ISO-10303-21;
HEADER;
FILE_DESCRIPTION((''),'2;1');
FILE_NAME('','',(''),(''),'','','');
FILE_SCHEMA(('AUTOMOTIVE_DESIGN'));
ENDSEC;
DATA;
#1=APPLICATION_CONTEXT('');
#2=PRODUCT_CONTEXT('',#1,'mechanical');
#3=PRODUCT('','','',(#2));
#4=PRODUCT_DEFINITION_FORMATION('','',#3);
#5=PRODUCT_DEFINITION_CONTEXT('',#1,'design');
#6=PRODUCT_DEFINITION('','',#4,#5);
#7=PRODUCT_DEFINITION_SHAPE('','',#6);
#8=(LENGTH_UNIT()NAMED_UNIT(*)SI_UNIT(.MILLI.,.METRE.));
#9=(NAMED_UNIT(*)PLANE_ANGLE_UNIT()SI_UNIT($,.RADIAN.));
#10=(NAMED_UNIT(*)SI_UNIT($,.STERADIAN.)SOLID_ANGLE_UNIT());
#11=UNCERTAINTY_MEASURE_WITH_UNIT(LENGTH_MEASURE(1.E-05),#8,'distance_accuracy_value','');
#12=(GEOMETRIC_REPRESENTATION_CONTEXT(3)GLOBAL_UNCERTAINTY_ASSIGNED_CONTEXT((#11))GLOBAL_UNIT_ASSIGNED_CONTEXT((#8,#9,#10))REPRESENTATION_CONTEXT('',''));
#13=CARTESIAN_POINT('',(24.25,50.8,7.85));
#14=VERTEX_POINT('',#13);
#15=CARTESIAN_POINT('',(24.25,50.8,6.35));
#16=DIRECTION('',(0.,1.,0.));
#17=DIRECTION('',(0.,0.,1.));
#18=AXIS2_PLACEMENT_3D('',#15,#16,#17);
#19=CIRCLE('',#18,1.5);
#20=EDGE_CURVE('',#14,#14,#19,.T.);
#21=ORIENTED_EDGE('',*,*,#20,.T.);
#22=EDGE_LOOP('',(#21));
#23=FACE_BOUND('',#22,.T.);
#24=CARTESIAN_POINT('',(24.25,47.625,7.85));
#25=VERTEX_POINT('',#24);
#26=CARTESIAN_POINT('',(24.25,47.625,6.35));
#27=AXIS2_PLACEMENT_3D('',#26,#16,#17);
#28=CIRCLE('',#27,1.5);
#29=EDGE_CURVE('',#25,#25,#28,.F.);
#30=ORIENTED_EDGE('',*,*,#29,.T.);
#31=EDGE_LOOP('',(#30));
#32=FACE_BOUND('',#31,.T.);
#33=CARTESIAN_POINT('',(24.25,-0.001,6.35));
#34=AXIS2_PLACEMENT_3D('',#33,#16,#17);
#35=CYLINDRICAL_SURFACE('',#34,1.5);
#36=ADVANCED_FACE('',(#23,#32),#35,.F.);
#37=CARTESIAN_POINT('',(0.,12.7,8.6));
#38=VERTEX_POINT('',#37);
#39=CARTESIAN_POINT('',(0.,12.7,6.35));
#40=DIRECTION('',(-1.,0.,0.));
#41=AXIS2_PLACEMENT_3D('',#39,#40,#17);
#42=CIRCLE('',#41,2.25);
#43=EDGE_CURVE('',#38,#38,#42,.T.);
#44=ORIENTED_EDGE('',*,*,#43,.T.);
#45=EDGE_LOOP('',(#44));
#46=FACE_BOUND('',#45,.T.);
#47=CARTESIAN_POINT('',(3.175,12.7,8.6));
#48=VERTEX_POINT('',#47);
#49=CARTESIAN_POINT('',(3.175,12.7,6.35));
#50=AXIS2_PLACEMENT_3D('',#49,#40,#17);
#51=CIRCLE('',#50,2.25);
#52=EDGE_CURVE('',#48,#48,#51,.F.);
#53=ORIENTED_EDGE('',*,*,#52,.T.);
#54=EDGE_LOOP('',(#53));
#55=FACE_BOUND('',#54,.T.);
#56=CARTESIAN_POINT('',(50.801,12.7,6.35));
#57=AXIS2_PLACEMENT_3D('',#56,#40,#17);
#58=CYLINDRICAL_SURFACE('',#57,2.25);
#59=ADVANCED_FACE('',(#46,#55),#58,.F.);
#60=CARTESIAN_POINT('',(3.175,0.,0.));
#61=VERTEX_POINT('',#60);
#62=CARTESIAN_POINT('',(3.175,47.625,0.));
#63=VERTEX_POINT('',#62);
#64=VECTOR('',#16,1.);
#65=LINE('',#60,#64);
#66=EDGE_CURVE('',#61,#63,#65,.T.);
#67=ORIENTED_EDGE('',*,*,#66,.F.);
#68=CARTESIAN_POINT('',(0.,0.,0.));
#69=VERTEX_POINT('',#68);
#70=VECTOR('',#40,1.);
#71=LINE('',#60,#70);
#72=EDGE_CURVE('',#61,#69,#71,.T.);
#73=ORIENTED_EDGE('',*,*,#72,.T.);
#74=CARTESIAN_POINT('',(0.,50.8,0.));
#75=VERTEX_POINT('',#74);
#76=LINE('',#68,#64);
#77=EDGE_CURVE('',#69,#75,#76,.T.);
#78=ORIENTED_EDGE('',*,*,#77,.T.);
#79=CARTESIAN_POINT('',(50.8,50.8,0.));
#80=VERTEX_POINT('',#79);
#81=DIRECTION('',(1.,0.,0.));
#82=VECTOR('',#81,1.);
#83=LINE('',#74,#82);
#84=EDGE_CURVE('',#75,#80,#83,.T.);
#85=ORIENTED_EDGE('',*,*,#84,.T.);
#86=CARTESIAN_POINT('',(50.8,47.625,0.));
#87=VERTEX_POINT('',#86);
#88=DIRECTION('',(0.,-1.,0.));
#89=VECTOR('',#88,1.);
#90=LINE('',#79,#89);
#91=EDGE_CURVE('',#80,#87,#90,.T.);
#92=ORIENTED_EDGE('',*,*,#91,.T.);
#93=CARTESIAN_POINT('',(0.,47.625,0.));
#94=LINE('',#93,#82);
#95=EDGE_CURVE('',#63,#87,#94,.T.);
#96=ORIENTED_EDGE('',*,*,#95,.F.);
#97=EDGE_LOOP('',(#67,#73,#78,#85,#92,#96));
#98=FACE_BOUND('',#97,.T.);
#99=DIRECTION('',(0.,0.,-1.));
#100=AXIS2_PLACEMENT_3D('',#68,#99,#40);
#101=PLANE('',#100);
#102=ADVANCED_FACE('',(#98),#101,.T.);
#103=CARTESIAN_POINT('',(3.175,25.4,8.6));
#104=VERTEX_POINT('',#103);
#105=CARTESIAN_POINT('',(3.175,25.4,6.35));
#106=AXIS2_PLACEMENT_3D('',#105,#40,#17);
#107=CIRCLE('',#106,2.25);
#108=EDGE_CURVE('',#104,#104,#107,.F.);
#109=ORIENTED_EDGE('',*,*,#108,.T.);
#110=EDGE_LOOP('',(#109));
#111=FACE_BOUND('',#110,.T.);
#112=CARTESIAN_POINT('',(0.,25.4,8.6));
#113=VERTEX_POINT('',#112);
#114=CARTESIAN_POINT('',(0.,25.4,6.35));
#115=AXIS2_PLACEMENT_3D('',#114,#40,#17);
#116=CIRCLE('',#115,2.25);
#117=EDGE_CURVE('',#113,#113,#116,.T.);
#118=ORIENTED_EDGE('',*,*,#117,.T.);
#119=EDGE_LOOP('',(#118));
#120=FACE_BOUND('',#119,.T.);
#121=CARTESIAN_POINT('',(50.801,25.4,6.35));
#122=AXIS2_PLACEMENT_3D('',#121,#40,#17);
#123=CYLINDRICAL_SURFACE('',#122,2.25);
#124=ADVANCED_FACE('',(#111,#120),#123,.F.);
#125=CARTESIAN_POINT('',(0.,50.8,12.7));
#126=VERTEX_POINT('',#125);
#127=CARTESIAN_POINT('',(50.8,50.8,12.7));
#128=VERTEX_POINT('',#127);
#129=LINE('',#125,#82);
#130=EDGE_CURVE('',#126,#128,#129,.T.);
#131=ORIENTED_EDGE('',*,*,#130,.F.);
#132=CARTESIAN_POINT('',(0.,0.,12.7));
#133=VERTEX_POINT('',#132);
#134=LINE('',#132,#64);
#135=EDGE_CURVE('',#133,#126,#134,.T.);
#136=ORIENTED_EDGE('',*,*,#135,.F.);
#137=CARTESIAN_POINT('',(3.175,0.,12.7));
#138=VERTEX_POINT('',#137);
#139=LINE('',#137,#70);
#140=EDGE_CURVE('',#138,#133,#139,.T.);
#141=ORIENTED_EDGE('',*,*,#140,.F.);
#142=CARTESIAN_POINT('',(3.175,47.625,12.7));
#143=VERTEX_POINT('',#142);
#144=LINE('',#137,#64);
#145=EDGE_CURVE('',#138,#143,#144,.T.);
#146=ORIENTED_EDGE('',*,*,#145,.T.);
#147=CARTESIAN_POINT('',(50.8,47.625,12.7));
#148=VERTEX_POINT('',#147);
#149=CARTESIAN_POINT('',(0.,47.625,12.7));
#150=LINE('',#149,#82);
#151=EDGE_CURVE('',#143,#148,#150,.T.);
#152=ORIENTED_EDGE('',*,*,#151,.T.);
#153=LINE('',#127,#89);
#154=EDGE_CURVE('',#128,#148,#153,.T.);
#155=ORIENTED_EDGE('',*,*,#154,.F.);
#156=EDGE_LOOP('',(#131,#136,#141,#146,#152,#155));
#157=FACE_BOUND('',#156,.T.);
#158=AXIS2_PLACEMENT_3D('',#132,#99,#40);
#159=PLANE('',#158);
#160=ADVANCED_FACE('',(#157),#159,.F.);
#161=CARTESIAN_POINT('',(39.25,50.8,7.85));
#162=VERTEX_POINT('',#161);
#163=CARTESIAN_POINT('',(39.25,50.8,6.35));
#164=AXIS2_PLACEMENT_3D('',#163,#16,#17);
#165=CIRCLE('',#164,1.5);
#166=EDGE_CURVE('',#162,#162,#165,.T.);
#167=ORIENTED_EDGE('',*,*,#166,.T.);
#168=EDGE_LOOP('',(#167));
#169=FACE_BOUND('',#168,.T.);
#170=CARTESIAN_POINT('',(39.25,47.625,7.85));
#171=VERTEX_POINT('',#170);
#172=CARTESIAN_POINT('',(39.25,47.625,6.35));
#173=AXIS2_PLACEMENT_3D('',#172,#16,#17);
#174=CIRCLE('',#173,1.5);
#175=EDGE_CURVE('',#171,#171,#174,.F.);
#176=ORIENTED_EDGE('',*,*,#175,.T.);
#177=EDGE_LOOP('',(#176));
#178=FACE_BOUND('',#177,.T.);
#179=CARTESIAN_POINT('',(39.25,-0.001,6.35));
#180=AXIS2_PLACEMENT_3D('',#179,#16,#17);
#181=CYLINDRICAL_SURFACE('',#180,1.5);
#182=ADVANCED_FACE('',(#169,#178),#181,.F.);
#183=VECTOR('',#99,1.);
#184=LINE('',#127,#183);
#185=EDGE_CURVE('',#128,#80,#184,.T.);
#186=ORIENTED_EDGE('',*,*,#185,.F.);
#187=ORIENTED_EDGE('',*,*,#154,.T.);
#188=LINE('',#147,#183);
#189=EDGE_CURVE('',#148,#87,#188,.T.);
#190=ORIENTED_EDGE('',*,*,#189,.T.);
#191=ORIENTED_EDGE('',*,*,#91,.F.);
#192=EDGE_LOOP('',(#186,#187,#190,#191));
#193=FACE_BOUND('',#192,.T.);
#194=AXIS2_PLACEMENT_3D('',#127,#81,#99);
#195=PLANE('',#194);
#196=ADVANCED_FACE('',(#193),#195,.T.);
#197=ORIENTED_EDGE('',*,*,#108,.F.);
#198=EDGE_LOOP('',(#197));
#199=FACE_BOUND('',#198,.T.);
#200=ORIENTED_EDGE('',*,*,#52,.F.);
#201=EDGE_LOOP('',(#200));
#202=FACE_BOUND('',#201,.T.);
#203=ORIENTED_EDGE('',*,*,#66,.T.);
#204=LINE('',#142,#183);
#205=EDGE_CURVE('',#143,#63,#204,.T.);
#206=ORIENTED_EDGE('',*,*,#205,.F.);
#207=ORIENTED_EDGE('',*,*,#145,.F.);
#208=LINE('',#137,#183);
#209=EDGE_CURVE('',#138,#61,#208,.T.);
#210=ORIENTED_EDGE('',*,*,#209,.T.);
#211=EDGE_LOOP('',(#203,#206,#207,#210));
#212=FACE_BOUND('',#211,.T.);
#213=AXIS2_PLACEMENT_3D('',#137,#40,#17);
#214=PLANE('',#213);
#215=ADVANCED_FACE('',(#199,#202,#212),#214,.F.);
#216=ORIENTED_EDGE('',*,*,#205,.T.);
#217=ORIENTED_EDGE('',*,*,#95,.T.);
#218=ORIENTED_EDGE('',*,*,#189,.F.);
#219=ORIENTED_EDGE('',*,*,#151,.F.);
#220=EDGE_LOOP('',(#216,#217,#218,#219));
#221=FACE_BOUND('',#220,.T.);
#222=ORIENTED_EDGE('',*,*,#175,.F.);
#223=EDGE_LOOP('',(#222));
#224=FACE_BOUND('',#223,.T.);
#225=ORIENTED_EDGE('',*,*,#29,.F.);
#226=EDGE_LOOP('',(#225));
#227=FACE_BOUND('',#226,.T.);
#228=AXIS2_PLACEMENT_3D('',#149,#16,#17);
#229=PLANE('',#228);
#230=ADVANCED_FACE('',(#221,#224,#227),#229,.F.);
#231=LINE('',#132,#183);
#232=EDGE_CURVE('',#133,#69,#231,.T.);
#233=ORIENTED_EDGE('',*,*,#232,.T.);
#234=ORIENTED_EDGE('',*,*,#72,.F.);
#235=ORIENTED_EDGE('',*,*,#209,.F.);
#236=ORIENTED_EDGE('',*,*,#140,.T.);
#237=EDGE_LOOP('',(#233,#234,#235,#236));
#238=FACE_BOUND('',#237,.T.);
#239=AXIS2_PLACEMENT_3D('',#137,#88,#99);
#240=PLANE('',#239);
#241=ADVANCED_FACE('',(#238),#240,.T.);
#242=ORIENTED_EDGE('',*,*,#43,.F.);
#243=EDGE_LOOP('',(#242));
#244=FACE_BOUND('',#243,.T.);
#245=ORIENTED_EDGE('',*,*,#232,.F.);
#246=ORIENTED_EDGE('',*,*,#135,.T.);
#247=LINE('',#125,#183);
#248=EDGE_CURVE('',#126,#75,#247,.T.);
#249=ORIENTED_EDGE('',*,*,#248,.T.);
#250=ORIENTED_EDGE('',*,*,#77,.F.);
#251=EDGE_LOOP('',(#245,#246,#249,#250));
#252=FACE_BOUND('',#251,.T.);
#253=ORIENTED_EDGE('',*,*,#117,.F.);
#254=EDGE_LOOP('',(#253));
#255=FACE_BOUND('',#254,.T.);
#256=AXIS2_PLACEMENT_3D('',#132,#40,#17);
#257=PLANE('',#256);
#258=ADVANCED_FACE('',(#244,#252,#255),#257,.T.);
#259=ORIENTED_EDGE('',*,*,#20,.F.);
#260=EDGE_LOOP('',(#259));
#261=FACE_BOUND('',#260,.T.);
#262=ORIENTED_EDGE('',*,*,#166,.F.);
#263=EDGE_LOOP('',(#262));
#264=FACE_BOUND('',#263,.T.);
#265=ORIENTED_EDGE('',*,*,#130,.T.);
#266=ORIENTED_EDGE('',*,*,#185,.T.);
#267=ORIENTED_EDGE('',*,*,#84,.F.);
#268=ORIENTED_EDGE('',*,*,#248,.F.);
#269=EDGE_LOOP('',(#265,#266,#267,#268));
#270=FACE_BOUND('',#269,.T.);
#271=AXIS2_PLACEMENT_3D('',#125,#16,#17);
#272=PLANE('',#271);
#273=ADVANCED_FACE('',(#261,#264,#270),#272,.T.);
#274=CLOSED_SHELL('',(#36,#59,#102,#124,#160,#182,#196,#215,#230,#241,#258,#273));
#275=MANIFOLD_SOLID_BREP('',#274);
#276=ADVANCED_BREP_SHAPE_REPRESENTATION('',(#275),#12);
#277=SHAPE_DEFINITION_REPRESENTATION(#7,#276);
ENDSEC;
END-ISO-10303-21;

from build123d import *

# Parameters (mm, degrees)
EXTRUDE_THIN1_DEPTH = 12.7
CUT_EXTRUDE1_REACH  = 74.956
SKETCH2_R           = 2.25
CUT_EXTRUDE2_REACH  = 74.956
SKETCH6_R           = 1.5


with BuildPart() as part:
    # Sketch1 → Extrude-Thin1 (new body)
    with BuildSketch(Plane.XY):
        Polygon((0, 0), (0, 50.8), (50.8, 50.8), (50.8, 47.625), (3.175, 47.625), (3.175, 0), align=None)
    extrude(amount=EXTRUDE_THIN1_DEPTH)

    # Sketch2 → Cut-Extrude1 (cut, up to next)
    with BuildSketch(Plane.ZY, mode=Mode.PRIVATE) as cut_extrude1_sk1:
        with Locations((6.35, 12.7)):
            Circle(SKETCH2_R)
    cut_extrude1_tool1 = extrude(cut_extrude1_sk1.sketch, amount=-CUT_EXTRUDE1_REACH, mode=Mode.PRIVATE) & part.part
    # Sketch2 → Cut-Extrude1 (cut, up to next)
    with BuildSketch(Plane.ZY, mode=Mode.PRIVATE) as cut_extrude1_sk2:
        with Locations((6.35, 25.4)):
            Circle(SKETCH2_R)
    cut_extrude1_tool2 = extrude(cut_extrude1_sk2.sketch, amount=-CUT_EXTRUDE1_REACH, mode=Mode.PRIVATE) & part.part
    add(cut_extrude1_tool1.solids().sort_by_distance((0, 12.7, 6.35))[0], mode=Mode.SUBTRACT)
    add(cut_extrude1_tool2.solids().sort_by_distance((0, 25.4, 6.35))[0], mode=Mode.SUBTRACT)

    # Sketch6 → Cut-Extrude2 (cut, up to next)
    with BuildSketch(Plane(origin=(0, 50.8, 0), x_dir=(1, 0, 0), z_dir=(0, 1, 0)), mode=Mode.PRIVATE) as cut_extrude2_sk1:
        with Locations(Location((24.25, -6.35, 0), (0, 0, 270))):
            Circle(SKETCH6_R)
    cut_extrude2_tool1 = extrude(cut_extrude2_sk1.sketch, amount=-CUT_EXTRUDE2_REACH, mode=Mode.PRIVATE) & part.part
    # Sketch6 → Cut-Extrude2 (cut, up to next)
    with BuildSketch(Plane(origin=(0, 50.8, 0), x_dir=(1, 0, 0), z_dir=(0, 1, 0)), mode=Mode.PRIVATE) as cut_extrude2_sk2:
        with Locations(Location((39.25, -6.35, 0), (0, 0, 270))):
            Circle(SKETCH6_R)
    cut_extrude2_tool2 = extrude(cut_extrude2_sk2.sketch, amount=-CUT_EXTRUDE2_REACH, mode=Mode.PRIVATE) & part.part
    add(cut_extrude2_tool1.solids().sort_by_distance((24.25, 50.8, 6.35))[0], mode=Mode.SUBTRACT)
    add(cut_extrude2_tool2.solids().sort_by_distance((39.25, 50.8, 6.35))[0], mode=Mode.SUBTRACT)


solid = part.part
